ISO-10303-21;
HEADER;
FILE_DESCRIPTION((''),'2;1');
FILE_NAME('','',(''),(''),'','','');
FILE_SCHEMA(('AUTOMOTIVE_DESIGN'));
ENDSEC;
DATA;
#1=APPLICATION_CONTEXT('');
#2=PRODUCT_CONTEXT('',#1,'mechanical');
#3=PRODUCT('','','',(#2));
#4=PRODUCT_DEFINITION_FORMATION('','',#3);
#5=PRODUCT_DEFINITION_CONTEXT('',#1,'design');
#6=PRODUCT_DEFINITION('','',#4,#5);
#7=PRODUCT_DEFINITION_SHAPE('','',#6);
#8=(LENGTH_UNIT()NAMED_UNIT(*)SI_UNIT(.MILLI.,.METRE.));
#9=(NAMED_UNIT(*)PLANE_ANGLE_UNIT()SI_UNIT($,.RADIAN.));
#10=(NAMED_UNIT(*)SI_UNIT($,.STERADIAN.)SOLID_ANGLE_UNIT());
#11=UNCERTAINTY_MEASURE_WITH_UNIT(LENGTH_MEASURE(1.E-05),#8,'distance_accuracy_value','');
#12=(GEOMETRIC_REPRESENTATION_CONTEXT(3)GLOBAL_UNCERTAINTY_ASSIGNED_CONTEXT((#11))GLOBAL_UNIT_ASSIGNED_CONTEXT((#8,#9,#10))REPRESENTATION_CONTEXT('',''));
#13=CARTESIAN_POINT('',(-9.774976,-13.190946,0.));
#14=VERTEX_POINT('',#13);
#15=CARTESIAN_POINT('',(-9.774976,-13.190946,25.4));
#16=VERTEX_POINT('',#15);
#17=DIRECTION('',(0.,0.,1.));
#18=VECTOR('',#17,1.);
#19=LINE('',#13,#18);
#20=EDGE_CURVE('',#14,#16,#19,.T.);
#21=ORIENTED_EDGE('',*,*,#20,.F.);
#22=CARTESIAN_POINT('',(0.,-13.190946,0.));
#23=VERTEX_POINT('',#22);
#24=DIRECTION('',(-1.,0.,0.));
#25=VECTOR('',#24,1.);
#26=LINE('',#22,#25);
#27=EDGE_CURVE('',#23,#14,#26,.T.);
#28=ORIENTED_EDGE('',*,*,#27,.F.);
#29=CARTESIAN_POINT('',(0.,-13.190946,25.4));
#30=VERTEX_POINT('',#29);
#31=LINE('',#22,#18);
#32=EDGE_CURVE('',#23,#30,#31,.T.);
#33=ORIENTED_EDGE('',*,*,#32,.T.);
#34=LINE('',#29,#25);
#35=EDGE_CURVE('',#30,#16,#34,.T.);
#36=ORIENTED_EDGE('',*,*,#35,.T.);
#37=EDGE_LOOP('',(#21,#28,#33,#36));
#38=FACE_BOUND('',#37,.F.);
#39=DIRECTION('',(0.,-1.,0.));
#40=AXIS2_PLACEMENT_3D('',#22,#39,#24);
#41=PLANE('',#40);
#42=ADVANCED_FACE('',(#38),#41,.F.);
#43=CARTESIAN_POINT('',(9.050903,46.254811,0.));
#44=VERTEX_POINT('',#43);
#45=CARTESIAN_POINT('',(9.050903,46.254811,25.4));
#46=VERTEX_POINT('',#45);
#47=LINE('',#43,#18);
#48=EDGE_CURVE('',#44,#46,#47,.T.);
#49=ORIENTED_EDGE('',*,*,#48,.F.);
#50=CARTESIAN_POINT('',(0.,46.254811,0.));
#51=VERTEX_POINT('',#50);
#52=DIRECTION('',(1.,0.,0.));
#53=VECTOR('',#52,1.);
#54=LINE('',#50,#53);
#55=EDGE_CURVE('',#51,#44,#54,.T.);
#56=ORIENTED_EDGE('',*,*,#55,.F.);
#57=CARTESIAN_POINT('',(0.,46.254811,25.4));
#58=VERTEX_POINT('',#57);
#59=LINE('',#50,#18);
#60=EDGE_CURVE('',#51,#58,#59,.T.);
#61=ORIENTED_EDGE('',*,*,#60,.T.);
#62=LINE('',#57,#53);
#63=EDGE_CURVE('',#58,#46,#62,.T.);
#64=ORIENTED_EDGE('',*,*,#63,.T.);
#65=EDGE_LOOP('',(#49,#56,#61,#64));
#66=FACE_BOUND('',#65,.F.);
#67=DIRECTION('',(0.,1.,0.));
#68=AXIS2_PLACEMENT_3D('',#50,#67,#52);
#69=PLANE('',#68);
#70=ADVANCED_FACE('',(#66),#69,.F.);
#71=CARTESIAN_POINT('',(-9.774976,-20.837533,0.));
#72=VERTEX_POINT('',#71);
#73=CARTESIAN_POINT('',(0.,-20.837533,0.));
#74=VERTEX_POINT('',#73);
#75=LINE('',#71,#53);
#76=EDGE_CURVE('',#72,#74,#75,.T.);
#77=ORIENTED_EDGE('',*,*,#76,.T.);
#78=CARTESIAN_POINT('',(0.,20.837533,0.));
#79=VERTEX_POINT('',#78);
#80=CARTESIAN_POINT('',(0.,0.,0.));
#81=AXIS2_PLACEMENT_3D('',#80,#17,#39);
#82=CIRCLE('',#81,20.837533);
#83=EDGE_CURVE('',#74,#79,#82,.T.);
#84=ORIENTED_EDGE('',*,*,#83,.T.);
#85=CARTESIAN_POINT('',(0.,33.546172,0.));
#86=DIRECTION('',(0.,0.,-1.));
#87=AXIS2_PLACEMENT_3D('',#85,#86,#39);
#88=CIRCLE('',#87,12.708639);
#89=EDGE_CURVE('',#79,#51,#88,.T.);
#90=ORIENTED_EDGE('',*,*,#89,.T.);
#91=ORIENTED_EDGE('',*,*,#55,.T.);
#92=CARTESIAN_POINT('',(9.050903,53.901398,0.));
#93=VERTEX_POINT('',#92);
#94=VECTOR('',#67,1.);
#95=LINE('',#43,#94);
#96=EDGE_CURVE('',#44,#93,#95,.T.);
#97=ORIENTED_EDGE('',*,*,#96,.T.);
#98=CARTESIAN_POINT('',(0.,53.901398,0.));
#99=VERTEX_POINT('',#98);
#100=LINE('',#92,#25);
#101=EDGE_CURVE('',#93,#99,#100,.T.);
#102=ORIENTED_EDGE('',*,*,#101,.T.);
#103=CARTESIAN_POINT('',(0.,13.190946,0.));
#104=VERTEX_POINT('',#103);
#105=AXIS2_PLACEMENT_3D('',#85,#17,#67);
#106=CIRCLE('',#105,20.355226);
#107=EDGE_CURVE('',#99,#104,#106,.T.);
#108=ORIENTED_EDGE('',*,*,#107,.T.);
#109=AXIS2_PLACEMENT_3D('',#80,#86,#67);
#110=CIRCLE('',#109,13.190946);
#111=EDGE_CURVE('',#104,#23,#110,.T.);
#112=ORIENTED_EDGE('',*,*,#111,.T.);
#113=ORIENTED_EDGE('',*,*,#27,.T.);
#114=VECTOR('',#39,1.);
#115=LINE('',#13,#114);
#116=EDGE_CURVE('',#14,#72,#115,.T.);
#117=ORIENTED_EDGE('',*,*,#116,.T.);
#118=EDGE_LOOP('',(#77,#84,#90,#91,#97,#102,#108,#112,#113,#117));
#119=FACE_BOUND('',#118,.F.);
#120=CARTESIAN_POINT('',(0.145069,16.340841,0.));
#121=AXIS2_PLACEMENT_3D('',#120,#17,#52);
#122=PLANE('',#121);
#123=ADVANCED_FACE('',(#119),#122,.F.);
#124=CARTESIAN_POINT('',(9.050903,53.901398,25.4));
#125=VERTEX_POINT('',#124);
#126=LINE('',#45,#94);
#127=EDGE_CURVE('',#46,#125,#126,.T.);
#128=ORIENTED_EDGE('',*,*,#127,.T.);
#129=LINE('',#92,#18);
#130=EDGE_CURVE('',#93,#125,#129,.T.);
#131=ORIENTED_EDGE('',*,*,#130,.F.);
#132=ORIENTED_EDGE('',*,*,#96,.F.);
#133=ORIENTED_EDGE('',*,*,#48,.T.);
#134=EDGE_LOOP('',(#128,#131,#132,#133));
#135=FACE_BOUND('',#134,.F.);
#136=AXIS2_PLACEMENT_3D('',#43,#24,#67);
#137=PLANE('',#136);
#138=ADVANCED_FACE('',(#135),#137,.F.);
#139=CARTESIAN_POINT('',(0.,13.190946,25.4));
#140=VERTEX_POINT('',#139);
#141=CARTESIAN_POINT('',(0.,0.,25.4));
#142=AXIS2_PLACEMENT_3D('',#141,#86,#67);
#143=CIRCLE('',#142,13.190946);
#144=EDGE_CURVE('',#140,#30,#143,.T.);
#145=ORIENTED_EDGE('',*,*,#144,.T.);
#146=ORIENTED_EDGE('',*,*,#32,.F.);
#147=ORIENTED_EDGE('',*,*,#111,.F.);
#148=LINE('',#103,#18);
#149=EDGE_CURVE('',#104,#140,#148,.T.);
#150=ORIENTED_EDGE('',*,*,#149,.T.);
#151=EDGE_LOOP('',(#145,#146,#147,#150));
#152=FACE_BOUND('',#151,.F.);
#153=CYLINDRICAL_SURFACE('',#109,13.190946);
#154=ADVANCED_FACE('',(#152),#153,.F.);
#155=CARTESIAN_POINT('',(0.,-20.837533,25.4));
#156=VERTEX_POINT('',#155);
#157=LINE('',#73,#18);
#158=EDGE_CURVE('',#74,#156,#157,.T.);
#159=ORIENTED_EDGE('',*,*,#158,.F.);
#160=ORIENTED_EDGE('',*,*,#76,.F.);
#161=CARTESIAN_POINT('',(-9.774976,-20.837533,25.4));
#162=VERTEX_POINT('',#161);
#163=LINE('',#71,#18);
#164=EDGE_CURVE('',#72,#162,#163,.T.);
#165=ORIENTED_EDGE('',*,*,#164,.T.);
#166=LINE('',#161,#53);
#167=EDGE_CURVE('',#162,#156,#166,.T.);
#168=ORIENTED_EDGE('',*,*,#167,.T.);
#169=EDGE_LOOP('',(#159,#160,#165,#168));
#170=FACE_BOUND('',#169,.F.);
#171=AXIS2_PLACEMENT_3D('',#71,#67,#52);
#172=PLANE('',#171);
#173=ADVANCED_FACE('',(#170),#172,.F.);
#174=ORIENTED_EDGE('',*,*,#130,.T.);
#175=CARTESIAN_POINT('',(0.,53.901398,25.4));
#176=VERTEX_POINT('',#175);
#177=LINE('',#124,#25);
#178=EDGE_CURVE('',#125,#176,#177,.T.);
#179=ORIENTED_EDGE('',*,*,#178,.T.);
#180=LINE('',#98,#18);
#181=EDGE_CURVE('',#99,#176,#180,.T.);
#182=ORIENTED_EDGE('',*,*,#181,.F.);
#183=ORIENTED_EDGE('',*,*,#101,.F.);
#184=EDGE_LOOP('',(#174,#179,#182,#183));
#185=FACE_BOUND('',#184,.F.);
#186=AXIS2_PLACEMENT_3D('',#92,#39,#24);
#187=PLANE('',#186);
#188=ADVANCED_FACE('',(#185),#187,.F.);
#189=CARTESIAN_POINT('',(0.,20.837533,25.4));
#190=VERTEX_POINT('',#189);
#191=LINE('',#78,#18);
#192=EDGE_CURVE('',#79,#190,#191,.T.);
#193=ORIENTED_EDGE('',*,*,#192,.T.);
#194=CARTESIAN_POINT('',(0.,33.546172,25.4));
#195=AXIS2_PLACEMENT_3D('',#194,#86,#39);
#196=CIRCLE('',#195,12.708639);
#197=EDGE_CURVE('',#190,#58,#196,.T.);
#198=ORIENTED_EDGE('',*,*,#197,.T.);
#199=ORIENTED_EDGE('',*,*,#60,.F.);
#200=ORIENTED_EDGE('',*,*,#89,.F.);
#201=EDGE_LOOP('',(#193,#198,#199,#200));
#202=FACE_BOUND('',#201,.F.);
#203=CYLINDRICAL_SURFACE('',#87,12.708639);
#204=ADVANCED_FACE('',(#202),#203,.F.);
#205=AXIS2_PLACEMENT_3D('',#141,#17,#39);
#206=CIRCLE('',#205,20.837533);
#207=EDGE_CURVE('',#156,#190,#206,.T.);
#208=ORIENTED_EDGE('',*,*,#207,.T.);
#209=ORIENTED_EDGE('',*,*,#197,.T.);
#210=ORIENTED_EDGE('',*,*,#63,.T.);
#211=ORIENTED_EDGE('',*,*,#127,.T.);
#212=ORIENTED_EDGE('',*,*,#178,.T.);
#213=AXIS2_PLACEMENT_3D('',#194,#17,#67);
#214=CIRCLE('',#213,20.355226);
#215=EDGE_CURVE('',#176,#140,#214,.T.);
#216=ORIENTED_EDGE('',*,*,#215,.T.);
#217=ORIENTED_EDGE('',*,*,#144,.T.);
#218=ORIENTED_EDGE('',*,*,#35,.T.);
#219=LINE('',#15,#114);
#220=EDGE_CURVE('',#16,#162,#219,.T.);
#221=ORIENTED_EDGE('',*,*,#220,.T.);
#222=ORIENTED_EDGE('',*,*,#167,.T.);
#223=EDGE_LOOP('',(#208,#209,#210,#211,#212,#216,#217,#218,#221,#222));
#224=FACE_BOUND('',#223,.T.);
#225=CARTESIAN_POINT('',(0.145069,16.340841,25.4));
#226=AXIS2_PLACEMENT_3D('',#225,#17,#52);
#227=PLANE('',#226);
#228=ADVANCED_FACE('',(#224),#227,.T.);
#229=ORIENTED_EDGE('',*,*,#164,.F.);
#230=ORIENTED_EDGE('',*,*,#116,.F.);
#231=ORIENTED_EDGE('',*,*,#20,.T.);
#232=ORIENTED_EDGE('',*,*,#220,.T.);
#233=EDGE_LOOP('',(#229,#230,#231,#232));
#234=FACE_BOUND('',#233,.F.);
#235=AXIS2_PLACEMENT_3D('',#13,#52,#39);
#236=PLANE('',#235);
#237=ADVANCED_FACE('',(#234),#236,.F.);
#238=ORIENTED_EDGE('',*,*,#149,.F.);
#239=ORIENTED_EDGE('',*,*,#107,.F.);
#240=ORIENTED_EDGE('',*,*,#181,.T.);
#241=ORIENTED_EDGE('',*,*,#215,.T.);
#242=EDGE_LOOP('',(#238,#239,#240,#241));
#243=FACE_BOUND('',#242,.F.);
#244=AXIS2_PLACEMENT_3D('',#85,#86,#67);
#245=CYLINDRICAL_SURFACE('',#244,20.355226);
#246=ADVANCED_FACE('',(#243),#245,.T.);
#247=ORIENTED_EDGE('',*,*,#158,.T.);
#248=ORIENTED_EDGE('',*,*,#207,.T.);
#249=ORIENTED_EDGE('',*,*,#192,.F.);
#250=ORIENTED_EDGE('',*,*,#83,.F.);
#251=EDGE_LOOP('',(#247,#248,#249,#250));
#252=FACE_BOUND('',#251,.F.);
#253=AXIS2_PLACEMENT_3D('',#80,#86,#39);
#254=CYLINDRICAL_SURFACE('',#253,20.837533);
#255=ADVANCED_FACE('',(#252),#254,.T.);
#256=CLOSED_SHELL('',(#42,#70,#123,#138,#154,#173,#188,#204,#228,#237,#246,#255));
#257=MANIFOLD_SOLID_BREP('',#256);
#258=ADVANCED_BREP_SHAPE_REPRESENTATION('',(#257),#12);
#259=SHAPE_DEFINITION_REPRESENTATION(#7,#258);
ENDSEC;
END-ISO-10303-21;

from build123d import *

# Parameters (mm, degrees)
F1_DEPTH = 25.4


with BuildPart() as f1:
    # F0 (on Top) → F1 (new body)
    with BuildSketch(Plane.XY):
        with BuildLine():
            ThreePointArc((0, 13.190946), (13.190946, 0), (0, -13.190946))
            Line((0, -13.190946), (-9.774976, -13.190946))
            Line((-9.774976, -13.190946), (-9.774976, -20.837533))
            Line((-9.774976, -20.837533), (0, -20.837533))
            ThreePointArc((0, -20.837533), (20.837533, 0), (0, 20.837533))
            ThreePointArc((0, 20.837533), (-12.708639, 33.546172), (0, 46.254811))
            Line((0, 46.254811), (9.050903, 46.254811))
            Line((9.050903, 46.254811), (9.050903, 53.901398))
            Line((9.050903, 53.901398), (0, 53.901398))
            ThreePointArc((0, 53.901398), (-20.355226, 33.546172), (0, 13.190946))
        make_face()
    extrude(amount=F1_DEPTH)


solid = f1.part
